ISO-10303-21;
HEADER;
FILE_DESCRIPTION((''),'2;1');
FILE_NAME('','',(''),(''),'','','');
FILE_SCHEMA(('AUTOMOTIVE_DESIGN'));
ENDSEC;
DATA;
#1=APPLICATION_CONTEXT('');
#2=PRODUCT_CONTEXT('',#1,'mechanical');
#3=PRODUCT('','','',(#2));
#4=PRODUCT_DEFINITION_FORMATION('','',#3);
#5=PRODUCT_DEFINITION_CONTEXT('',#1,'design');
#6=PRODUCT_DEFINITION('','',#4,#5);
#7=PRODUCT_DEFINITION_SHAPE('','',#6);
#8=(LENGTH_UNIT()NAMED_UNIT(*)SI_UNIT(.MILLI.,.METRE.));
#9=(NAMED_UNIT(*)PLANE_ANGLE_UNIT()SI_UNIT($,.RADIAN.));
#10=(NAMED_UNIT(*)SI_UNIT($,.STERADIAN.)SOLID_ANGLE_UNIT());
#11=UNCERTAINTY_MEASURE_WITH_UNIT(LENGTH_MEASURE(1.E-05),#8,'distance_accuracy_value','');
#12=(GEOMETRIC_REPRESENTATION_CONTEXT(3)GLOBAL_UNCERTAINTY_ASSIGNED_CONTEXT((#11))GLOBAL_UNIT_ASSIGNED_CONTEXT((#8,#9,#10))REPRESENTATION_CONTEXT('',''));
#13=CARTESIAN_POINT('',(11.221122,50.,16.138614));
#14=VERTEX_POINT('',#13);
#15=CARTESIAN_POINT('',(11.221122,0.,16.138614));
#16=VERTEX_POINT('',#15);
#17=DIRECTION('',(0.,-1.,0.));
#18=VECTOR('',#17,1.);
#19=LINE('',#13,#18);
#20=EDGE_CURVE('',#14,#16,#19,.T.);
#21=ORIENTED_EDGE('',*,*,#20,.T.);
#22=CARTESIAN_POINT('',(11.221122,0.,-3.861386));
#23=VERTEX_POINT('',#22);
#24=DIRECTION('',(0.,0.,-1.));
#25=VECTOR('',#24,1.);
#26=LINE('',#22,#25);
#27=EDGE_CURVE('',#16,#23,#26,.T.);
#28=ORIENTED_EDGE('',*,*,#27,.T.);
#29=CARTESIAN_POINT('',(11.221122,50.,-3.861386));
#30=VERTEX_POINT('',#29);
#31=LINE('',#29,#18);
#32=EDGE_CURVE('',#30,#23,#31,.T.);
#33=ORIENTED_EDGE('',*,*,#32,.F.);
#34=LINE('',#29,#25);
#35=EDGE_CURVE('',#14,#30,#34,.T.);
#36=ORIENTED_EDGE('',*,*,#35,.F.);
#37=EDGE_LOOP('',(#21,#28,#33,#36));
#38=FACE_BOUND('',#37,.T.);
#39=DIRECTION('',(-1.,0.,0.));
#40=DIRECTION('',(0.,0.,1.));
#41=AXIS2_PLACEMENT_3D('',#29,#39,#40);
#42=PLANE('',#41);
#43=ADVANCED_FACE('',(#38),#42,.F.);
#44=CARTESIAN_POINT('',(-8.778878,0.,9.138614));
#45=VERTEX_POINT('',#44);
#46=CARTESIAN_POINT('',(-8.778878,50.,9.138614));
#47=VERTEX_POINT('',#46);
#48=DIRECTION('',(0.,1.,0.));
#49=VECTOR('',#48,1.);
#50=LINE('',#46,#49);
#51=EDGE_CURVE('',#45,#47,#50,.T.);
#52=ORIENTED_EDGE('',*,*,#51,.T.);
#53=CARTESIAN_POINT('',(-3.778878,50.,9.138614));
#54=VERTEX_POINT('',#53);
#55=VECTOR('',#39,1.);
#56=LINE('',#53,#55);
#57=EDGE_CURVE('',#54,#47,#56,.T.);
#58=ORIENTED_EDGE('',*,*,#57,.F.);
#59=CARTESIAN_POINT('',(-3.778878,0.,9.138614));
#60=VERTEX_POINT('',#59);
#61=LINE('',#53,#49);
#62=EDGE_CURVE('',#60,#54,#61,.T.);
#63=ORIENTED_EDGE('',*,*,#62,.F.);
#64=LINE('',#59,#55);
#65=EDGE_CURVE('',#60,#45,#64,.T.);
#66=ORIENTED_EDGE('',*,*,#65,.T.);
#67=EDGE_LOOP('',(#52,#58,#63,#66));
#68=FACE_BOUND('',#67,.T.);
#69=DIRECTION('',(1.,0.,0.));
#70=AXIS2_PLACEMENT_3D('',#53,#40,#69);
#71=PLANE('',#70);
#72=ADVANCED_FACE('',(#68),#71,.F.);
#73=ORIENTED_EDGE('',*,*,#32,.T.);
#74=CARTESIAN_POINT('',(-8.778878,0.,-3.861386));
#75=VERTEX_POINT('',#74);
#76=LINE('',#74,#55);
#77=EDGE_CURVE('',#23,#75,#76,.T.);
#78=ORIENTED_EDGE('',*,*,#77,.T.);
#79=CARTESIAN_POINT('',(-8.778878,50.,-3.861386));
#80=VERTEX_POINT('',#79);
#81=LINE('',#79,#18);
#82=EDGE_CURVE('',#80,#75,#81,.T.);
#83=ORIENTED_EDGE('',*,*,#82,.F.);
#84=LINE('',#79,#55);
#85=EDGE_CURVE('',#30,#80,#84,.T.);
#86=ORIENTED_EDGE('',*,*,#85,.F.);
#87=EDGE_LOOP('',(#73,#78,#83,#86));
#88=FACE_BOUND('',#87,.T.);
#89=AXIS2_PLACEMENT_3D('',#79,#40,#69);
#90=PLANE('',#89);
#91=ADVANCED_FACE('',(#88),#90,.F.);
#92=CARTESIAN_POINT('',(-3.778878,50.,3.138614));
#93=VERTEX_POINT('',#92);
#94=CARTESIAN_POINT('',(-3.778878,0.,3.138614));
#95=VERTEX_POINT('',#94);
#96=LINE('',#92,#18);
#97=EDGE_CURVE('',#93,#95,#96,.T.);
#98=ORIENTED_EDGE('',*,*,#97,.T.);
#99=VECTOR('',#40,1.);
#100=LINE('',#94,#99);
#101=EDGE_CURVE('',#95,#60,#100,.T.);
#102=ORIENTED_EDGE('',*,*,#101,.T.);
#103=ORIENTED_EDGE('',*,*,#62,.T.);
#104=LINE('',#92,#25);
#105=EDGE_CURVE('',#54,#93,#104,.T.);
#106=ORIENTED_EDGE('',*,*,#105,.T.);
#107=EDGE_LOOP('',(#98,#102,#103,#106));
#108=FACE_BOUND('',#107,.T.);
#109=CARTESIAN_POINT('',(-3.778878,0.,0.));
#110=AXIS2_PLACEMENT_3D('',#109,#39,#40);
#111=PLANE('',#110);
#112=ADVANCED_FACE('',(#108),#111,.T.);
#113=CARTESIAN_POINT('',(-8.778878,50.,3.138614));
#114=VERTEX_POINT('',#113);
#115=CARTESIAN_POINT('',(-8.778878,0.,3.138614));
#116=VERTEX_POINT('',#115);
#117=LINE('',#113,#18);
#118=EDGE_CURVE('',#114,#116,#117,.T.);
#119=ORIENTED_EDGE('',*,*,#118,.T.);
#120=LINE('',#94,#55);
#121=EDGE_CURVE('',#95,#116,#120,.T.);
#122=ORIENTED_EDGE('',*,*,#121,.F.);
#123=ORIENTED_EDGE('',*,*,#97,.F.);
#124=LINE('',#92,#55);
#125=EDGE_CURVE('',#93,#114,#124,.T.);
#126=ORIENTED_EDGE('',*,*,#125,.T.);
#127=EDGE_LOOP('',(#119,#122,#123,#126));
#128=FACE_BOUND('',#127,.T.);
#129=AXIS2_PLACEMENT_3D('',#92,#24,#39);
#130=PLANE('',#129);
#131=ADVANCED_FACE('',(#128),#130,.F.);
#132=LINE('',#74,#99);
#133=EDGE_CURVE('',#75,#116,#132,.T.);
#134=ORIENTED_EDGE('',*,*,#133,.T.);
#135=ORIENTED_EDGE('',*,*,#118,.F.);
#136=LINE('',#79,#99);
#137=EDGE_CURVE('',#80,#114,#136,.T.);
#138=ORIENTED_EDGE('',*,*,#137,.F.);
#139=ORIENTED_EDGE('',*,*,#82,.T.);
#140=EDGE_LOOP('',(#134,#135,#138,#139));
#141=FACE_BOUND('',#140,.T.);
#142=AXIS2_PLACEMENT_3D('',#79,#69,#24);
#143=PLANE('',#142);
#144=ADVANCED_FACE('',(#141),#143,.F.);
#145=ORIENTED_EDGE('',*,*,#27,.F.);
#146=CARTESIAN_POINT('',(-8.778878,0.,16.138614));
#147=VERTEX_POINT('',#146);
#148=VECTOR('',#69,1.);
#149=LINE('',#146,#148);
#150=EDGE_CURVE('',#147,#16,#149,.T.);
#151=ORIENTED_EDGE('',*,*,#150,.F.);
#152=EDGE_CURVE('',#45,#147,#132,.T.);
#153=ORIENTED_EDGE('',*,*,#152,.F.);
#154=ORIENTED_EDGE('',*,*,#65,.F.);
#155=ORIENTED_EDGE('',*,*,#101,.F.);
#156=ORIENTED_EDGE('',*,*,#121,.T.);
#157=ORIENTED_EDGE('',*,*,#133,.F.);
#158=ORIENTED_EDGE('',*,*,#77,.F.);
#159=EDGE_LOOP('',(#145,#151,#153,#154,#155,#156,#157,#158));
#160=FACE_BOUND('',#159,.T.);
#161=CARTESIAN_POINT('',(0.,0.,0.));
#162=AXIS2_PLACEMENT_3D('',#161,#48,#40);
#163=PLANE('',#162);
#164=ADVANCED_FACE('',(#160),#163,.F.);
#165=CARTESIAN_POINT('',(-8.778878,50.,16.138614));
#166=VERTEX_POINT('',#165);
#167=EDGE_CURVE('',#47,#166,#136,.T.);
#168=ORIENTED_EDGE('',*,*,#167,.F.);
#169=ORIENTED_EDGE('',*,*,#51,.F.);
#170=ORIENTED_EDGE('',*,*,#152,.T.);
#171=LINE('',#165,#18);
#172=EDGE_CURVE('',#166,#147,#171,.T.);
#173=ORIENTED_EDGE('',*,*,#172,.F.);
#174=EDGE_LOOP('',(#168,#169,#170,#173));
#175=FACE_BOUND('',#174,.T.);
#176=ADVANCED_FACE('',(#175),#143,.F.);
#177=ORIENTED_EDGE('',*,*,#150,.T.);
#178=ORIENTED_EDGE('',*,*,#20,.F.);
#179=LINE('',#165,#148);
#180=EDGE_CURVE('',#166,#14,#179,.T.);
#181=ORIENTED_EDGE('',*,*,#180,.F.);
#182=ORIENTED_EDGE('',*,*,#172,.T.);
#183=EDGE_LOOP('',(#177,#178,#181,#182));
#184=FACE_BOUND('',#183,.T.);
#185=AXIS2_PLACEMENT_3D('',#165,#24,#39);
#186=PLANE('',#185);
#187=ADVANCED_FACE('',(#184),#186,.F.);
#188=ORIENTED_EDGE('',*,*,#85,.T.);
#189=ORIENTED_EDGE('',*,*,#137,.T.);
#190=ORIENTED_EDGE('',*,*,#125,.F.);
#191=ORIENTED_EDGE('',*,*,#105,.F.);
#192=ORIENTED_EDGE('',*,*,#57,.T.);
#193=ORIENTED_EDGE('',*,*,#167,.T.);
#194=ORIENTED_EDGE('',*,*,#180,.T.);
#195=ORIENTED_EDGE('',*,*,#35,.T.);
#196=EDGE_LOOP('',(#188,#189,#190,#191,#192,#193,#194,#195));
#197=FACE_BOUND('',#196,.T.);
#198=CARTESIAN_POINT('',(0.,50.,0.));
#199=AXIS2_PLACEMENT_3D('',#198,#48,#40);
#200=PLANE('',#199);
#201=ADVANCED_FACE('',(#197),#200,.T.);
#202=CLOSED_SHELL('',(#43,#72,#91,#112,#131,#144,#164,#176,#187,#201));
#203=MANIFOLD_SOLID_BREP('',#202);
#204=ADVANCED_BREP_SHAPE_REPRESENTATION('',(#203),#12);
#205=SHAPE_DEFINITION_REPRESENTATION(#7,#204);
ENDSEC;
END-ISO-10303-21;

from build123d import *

# Parameters (mm, degrees)
SKETCH_1_W          = 20
SKETCH_1_H          = 20
EXTRUDE_1_DEPTH     = 50
SKETCH_2_W          = 6
SKETCH_2_H          = 50
CUT_EXTRUDE_1_DEPTH = 5


with BuildPart() as part:
    # 草图1 → 凸台-拉伸1 (new body)
    with BuildSketch(Plane(origin=(0, 0, 0), x_dir=(1, 0, 0), z_dir=(0, 1, 0))):
        with Locations((1.221122112, -6.138613861)):
            Rectangle(SKETCH_1_W, SKETCH_1_H)
    extrude(amount=EXTRUDE_1_DEPTH)

    # 草图2 → 切除-拉伸1 (cut)
    with BuildSketch(Plane.ZY.offset(8.778877888)):
        with Locations((6.138613861, 25)):
            Rectangle(SKETCH_2_W, SKETCH_2_H)
    extrude(amount=-CUT_EXTRUDE_1_DEPTH, mode=Mode.SUBTRACT)


solid = part.part
